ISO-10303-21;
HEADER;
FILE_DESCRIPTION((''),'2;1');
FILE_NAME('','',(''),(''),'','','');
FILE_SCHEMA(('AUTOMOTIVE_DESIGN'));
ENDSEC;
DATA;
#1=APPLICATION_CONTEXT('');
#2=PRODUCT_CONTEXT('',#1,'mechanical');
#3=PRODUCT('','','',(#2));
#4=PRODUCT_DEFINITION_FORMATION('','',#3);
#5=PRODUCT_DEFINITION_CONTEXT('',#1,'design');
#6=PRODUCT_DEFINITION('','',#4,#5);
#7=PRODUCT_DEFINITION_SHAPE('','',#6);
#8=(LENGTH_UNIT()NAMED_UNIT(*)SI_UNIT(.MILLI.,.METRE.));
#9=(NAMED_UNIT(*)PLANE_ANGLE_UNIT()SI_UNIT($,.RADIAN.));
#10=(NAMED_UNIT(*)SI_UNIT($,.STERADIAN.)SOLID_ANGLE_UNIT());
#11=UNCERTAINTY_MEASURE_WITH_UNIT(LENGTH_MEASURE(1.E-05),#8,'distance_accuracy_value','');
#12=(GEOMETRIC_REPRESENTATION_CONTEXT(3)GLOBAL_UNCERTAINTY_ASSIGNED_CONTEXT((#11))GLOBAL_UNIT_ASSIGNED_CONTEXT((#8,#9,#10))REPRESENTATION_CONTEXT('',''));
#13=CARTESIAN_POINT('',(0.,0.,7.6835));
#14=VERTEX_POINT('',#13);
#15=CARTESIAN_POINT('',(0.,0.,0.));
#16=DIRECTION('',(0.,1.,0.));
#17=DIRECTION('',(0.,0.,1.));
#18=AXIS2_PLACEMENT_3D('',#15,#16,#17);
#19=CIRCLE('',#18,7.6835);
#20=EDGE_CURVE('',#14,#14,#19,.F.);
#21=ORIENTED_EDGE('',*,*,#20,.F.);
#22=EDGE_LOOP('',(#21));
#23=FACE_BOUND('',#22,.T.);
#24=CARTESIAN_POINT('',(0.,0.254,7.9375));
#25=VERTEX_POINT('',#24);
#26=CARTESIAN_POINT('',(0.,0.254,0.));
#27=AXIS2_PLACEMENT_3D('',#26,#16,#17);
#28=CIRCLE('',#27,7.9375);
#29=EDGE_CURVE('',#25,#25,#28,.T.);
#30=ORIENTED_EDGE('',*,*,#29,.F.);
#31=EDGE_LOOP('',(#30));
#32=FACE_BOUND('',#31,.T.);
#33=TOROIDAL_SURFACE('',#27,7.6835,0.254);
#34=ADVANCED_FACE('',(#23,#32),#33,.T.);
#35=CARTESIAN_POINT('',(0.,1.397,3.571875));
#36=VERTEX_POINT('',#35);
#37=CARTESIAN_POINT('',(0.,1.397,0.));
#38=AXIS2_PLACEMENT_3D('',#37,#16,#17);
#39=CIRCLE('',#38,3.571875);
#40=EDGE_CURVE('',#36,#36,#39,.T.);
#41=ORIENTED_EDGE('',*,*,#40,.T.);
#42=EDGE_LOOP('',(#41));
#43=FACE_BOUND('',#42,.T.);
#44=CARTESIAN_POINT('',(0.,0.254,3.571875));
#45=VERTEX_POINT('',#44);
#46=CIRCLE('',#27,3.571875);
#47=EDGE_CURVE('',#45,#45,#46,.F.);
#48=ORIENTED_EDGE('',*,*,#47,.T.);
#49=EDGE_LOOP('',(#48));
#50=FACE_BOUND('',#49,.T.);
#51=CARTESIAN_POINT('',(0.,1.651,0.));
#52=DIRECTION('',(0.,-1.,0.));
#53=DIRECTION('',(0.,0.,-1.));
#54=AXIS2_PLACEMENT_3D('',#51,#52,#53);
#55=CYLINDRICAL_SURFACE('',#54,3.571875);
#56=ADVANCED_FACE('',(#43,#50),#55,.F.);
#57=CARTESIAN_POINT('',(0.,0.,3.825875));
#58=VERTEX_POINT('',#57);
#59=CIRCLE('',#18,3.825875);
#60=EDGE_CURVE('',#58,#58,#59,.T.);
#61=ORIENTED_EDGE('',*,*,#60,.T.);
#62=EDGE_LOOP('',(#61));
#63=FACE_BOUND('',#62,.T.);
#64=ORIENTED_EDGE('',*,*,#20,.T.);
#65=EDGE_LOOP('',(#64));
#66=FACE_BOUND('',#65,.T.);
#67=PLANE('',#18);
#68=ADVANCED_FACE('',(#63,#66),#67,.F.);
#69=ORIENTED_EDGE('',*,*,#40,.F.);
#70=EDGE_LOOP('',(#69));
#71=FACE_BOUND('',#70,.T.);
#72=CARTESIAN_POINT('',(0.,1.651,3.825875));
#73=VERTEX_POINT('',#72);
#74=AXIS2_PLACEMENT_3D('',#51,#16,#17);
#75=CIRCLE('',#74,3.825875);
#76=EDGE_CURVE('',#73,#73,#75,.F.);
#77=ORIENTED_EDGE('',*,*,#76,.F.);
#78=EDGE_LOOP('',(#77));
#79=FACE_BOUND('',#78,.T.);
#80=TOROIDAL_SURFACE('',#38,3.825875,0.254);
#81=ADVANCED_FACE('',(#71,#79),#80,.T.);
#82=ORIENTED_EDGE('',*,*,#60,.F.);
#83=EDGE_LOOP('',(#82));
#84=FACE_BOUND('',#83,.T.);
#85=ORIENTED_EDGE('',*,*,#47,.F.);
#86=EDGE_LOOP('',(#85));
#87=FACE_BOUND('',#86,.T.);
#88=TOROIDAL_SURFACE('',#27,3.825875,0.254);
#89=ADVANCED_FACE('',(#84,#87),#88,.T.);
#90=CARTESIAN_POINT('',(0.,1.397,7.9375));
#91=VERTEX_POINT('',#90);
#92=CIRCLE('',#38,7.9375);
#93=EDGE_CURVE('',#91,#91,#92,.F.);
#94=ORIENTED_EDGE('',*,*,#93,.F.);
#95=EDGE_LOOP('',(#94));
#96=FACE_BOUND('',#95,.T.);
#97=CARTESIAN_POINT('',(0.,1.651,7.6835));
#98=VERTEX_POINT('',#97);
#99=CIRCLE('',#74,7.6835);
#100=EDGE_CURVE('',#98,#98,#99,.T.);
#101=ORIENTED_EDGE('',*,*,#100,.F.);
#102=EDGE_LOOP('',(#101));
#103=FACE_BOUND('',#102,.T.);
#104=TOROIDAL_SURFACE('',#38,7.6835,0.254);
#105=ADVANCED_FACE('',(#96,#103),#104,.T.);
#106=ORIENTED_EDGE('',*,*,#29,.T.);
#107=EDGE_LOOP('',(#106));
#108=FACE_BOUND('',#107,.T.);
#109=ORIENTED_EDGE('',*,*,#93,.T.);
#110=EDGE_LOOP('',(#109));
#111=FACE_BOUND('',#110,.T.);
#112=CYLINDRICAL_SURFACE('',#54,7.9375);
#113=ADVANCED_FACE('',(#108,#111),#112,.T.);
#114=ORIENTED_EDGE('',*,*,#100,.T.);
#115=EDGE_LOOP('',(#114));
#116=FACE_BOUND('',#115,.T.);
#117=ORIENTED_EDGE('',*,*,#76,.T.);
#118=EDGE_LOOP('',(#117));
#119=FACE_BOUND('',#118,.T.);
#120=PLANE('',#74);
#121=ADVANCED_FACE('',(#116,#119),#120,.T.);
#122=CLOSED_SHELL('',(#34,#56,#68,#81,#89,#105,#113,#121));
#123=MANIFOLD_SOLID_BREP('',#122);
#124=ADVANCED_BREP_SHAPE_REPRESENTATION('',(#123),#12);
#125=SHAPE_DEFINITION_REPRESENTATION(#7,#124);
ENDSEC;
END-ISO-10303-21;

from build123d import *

# Parameters (mm, degrees)
SKETCH1_R      = 7.9375
SKETCH1_R_2    = 3.571875
EXTRUDE1_DEPTH = 1.651
FILLET1_R      = 0.254


with BuildPart() as part:
    # Sketch1 → Extrude1 (new body)
    with BuildSketch(Plane(origin=(0, 0, 0), x_dir=(1, 0, 0), z_dir=(0, 1, 0))):
        with Locations(Location((0, 0, 0), (0, 0, 270))):  # turned: the seam where the file's is
            Circle(SKETCH1_R)
        with Locations(Location((0, 0, 0), (0, 0, 270))):  # turned: the seam where the file's is
            Circle(SKETCH1_R_2, mode=Mode.SUBTRACT)
    extrude(amount=EXTRUDE1_DEPTH)

    # Fillet1
    fillet1_edges = [part.edges().sort_by_distance(p)[0] for p in [
        (0, 0, -7.9375),
        (0, 1.651, -7.9375),
        (0, 0, -3.571875),
        (0, 1.651, -3.571875),
    ]]
    fillet(fillet1_edges, radius=FILLET1_R)


solid = part.part
